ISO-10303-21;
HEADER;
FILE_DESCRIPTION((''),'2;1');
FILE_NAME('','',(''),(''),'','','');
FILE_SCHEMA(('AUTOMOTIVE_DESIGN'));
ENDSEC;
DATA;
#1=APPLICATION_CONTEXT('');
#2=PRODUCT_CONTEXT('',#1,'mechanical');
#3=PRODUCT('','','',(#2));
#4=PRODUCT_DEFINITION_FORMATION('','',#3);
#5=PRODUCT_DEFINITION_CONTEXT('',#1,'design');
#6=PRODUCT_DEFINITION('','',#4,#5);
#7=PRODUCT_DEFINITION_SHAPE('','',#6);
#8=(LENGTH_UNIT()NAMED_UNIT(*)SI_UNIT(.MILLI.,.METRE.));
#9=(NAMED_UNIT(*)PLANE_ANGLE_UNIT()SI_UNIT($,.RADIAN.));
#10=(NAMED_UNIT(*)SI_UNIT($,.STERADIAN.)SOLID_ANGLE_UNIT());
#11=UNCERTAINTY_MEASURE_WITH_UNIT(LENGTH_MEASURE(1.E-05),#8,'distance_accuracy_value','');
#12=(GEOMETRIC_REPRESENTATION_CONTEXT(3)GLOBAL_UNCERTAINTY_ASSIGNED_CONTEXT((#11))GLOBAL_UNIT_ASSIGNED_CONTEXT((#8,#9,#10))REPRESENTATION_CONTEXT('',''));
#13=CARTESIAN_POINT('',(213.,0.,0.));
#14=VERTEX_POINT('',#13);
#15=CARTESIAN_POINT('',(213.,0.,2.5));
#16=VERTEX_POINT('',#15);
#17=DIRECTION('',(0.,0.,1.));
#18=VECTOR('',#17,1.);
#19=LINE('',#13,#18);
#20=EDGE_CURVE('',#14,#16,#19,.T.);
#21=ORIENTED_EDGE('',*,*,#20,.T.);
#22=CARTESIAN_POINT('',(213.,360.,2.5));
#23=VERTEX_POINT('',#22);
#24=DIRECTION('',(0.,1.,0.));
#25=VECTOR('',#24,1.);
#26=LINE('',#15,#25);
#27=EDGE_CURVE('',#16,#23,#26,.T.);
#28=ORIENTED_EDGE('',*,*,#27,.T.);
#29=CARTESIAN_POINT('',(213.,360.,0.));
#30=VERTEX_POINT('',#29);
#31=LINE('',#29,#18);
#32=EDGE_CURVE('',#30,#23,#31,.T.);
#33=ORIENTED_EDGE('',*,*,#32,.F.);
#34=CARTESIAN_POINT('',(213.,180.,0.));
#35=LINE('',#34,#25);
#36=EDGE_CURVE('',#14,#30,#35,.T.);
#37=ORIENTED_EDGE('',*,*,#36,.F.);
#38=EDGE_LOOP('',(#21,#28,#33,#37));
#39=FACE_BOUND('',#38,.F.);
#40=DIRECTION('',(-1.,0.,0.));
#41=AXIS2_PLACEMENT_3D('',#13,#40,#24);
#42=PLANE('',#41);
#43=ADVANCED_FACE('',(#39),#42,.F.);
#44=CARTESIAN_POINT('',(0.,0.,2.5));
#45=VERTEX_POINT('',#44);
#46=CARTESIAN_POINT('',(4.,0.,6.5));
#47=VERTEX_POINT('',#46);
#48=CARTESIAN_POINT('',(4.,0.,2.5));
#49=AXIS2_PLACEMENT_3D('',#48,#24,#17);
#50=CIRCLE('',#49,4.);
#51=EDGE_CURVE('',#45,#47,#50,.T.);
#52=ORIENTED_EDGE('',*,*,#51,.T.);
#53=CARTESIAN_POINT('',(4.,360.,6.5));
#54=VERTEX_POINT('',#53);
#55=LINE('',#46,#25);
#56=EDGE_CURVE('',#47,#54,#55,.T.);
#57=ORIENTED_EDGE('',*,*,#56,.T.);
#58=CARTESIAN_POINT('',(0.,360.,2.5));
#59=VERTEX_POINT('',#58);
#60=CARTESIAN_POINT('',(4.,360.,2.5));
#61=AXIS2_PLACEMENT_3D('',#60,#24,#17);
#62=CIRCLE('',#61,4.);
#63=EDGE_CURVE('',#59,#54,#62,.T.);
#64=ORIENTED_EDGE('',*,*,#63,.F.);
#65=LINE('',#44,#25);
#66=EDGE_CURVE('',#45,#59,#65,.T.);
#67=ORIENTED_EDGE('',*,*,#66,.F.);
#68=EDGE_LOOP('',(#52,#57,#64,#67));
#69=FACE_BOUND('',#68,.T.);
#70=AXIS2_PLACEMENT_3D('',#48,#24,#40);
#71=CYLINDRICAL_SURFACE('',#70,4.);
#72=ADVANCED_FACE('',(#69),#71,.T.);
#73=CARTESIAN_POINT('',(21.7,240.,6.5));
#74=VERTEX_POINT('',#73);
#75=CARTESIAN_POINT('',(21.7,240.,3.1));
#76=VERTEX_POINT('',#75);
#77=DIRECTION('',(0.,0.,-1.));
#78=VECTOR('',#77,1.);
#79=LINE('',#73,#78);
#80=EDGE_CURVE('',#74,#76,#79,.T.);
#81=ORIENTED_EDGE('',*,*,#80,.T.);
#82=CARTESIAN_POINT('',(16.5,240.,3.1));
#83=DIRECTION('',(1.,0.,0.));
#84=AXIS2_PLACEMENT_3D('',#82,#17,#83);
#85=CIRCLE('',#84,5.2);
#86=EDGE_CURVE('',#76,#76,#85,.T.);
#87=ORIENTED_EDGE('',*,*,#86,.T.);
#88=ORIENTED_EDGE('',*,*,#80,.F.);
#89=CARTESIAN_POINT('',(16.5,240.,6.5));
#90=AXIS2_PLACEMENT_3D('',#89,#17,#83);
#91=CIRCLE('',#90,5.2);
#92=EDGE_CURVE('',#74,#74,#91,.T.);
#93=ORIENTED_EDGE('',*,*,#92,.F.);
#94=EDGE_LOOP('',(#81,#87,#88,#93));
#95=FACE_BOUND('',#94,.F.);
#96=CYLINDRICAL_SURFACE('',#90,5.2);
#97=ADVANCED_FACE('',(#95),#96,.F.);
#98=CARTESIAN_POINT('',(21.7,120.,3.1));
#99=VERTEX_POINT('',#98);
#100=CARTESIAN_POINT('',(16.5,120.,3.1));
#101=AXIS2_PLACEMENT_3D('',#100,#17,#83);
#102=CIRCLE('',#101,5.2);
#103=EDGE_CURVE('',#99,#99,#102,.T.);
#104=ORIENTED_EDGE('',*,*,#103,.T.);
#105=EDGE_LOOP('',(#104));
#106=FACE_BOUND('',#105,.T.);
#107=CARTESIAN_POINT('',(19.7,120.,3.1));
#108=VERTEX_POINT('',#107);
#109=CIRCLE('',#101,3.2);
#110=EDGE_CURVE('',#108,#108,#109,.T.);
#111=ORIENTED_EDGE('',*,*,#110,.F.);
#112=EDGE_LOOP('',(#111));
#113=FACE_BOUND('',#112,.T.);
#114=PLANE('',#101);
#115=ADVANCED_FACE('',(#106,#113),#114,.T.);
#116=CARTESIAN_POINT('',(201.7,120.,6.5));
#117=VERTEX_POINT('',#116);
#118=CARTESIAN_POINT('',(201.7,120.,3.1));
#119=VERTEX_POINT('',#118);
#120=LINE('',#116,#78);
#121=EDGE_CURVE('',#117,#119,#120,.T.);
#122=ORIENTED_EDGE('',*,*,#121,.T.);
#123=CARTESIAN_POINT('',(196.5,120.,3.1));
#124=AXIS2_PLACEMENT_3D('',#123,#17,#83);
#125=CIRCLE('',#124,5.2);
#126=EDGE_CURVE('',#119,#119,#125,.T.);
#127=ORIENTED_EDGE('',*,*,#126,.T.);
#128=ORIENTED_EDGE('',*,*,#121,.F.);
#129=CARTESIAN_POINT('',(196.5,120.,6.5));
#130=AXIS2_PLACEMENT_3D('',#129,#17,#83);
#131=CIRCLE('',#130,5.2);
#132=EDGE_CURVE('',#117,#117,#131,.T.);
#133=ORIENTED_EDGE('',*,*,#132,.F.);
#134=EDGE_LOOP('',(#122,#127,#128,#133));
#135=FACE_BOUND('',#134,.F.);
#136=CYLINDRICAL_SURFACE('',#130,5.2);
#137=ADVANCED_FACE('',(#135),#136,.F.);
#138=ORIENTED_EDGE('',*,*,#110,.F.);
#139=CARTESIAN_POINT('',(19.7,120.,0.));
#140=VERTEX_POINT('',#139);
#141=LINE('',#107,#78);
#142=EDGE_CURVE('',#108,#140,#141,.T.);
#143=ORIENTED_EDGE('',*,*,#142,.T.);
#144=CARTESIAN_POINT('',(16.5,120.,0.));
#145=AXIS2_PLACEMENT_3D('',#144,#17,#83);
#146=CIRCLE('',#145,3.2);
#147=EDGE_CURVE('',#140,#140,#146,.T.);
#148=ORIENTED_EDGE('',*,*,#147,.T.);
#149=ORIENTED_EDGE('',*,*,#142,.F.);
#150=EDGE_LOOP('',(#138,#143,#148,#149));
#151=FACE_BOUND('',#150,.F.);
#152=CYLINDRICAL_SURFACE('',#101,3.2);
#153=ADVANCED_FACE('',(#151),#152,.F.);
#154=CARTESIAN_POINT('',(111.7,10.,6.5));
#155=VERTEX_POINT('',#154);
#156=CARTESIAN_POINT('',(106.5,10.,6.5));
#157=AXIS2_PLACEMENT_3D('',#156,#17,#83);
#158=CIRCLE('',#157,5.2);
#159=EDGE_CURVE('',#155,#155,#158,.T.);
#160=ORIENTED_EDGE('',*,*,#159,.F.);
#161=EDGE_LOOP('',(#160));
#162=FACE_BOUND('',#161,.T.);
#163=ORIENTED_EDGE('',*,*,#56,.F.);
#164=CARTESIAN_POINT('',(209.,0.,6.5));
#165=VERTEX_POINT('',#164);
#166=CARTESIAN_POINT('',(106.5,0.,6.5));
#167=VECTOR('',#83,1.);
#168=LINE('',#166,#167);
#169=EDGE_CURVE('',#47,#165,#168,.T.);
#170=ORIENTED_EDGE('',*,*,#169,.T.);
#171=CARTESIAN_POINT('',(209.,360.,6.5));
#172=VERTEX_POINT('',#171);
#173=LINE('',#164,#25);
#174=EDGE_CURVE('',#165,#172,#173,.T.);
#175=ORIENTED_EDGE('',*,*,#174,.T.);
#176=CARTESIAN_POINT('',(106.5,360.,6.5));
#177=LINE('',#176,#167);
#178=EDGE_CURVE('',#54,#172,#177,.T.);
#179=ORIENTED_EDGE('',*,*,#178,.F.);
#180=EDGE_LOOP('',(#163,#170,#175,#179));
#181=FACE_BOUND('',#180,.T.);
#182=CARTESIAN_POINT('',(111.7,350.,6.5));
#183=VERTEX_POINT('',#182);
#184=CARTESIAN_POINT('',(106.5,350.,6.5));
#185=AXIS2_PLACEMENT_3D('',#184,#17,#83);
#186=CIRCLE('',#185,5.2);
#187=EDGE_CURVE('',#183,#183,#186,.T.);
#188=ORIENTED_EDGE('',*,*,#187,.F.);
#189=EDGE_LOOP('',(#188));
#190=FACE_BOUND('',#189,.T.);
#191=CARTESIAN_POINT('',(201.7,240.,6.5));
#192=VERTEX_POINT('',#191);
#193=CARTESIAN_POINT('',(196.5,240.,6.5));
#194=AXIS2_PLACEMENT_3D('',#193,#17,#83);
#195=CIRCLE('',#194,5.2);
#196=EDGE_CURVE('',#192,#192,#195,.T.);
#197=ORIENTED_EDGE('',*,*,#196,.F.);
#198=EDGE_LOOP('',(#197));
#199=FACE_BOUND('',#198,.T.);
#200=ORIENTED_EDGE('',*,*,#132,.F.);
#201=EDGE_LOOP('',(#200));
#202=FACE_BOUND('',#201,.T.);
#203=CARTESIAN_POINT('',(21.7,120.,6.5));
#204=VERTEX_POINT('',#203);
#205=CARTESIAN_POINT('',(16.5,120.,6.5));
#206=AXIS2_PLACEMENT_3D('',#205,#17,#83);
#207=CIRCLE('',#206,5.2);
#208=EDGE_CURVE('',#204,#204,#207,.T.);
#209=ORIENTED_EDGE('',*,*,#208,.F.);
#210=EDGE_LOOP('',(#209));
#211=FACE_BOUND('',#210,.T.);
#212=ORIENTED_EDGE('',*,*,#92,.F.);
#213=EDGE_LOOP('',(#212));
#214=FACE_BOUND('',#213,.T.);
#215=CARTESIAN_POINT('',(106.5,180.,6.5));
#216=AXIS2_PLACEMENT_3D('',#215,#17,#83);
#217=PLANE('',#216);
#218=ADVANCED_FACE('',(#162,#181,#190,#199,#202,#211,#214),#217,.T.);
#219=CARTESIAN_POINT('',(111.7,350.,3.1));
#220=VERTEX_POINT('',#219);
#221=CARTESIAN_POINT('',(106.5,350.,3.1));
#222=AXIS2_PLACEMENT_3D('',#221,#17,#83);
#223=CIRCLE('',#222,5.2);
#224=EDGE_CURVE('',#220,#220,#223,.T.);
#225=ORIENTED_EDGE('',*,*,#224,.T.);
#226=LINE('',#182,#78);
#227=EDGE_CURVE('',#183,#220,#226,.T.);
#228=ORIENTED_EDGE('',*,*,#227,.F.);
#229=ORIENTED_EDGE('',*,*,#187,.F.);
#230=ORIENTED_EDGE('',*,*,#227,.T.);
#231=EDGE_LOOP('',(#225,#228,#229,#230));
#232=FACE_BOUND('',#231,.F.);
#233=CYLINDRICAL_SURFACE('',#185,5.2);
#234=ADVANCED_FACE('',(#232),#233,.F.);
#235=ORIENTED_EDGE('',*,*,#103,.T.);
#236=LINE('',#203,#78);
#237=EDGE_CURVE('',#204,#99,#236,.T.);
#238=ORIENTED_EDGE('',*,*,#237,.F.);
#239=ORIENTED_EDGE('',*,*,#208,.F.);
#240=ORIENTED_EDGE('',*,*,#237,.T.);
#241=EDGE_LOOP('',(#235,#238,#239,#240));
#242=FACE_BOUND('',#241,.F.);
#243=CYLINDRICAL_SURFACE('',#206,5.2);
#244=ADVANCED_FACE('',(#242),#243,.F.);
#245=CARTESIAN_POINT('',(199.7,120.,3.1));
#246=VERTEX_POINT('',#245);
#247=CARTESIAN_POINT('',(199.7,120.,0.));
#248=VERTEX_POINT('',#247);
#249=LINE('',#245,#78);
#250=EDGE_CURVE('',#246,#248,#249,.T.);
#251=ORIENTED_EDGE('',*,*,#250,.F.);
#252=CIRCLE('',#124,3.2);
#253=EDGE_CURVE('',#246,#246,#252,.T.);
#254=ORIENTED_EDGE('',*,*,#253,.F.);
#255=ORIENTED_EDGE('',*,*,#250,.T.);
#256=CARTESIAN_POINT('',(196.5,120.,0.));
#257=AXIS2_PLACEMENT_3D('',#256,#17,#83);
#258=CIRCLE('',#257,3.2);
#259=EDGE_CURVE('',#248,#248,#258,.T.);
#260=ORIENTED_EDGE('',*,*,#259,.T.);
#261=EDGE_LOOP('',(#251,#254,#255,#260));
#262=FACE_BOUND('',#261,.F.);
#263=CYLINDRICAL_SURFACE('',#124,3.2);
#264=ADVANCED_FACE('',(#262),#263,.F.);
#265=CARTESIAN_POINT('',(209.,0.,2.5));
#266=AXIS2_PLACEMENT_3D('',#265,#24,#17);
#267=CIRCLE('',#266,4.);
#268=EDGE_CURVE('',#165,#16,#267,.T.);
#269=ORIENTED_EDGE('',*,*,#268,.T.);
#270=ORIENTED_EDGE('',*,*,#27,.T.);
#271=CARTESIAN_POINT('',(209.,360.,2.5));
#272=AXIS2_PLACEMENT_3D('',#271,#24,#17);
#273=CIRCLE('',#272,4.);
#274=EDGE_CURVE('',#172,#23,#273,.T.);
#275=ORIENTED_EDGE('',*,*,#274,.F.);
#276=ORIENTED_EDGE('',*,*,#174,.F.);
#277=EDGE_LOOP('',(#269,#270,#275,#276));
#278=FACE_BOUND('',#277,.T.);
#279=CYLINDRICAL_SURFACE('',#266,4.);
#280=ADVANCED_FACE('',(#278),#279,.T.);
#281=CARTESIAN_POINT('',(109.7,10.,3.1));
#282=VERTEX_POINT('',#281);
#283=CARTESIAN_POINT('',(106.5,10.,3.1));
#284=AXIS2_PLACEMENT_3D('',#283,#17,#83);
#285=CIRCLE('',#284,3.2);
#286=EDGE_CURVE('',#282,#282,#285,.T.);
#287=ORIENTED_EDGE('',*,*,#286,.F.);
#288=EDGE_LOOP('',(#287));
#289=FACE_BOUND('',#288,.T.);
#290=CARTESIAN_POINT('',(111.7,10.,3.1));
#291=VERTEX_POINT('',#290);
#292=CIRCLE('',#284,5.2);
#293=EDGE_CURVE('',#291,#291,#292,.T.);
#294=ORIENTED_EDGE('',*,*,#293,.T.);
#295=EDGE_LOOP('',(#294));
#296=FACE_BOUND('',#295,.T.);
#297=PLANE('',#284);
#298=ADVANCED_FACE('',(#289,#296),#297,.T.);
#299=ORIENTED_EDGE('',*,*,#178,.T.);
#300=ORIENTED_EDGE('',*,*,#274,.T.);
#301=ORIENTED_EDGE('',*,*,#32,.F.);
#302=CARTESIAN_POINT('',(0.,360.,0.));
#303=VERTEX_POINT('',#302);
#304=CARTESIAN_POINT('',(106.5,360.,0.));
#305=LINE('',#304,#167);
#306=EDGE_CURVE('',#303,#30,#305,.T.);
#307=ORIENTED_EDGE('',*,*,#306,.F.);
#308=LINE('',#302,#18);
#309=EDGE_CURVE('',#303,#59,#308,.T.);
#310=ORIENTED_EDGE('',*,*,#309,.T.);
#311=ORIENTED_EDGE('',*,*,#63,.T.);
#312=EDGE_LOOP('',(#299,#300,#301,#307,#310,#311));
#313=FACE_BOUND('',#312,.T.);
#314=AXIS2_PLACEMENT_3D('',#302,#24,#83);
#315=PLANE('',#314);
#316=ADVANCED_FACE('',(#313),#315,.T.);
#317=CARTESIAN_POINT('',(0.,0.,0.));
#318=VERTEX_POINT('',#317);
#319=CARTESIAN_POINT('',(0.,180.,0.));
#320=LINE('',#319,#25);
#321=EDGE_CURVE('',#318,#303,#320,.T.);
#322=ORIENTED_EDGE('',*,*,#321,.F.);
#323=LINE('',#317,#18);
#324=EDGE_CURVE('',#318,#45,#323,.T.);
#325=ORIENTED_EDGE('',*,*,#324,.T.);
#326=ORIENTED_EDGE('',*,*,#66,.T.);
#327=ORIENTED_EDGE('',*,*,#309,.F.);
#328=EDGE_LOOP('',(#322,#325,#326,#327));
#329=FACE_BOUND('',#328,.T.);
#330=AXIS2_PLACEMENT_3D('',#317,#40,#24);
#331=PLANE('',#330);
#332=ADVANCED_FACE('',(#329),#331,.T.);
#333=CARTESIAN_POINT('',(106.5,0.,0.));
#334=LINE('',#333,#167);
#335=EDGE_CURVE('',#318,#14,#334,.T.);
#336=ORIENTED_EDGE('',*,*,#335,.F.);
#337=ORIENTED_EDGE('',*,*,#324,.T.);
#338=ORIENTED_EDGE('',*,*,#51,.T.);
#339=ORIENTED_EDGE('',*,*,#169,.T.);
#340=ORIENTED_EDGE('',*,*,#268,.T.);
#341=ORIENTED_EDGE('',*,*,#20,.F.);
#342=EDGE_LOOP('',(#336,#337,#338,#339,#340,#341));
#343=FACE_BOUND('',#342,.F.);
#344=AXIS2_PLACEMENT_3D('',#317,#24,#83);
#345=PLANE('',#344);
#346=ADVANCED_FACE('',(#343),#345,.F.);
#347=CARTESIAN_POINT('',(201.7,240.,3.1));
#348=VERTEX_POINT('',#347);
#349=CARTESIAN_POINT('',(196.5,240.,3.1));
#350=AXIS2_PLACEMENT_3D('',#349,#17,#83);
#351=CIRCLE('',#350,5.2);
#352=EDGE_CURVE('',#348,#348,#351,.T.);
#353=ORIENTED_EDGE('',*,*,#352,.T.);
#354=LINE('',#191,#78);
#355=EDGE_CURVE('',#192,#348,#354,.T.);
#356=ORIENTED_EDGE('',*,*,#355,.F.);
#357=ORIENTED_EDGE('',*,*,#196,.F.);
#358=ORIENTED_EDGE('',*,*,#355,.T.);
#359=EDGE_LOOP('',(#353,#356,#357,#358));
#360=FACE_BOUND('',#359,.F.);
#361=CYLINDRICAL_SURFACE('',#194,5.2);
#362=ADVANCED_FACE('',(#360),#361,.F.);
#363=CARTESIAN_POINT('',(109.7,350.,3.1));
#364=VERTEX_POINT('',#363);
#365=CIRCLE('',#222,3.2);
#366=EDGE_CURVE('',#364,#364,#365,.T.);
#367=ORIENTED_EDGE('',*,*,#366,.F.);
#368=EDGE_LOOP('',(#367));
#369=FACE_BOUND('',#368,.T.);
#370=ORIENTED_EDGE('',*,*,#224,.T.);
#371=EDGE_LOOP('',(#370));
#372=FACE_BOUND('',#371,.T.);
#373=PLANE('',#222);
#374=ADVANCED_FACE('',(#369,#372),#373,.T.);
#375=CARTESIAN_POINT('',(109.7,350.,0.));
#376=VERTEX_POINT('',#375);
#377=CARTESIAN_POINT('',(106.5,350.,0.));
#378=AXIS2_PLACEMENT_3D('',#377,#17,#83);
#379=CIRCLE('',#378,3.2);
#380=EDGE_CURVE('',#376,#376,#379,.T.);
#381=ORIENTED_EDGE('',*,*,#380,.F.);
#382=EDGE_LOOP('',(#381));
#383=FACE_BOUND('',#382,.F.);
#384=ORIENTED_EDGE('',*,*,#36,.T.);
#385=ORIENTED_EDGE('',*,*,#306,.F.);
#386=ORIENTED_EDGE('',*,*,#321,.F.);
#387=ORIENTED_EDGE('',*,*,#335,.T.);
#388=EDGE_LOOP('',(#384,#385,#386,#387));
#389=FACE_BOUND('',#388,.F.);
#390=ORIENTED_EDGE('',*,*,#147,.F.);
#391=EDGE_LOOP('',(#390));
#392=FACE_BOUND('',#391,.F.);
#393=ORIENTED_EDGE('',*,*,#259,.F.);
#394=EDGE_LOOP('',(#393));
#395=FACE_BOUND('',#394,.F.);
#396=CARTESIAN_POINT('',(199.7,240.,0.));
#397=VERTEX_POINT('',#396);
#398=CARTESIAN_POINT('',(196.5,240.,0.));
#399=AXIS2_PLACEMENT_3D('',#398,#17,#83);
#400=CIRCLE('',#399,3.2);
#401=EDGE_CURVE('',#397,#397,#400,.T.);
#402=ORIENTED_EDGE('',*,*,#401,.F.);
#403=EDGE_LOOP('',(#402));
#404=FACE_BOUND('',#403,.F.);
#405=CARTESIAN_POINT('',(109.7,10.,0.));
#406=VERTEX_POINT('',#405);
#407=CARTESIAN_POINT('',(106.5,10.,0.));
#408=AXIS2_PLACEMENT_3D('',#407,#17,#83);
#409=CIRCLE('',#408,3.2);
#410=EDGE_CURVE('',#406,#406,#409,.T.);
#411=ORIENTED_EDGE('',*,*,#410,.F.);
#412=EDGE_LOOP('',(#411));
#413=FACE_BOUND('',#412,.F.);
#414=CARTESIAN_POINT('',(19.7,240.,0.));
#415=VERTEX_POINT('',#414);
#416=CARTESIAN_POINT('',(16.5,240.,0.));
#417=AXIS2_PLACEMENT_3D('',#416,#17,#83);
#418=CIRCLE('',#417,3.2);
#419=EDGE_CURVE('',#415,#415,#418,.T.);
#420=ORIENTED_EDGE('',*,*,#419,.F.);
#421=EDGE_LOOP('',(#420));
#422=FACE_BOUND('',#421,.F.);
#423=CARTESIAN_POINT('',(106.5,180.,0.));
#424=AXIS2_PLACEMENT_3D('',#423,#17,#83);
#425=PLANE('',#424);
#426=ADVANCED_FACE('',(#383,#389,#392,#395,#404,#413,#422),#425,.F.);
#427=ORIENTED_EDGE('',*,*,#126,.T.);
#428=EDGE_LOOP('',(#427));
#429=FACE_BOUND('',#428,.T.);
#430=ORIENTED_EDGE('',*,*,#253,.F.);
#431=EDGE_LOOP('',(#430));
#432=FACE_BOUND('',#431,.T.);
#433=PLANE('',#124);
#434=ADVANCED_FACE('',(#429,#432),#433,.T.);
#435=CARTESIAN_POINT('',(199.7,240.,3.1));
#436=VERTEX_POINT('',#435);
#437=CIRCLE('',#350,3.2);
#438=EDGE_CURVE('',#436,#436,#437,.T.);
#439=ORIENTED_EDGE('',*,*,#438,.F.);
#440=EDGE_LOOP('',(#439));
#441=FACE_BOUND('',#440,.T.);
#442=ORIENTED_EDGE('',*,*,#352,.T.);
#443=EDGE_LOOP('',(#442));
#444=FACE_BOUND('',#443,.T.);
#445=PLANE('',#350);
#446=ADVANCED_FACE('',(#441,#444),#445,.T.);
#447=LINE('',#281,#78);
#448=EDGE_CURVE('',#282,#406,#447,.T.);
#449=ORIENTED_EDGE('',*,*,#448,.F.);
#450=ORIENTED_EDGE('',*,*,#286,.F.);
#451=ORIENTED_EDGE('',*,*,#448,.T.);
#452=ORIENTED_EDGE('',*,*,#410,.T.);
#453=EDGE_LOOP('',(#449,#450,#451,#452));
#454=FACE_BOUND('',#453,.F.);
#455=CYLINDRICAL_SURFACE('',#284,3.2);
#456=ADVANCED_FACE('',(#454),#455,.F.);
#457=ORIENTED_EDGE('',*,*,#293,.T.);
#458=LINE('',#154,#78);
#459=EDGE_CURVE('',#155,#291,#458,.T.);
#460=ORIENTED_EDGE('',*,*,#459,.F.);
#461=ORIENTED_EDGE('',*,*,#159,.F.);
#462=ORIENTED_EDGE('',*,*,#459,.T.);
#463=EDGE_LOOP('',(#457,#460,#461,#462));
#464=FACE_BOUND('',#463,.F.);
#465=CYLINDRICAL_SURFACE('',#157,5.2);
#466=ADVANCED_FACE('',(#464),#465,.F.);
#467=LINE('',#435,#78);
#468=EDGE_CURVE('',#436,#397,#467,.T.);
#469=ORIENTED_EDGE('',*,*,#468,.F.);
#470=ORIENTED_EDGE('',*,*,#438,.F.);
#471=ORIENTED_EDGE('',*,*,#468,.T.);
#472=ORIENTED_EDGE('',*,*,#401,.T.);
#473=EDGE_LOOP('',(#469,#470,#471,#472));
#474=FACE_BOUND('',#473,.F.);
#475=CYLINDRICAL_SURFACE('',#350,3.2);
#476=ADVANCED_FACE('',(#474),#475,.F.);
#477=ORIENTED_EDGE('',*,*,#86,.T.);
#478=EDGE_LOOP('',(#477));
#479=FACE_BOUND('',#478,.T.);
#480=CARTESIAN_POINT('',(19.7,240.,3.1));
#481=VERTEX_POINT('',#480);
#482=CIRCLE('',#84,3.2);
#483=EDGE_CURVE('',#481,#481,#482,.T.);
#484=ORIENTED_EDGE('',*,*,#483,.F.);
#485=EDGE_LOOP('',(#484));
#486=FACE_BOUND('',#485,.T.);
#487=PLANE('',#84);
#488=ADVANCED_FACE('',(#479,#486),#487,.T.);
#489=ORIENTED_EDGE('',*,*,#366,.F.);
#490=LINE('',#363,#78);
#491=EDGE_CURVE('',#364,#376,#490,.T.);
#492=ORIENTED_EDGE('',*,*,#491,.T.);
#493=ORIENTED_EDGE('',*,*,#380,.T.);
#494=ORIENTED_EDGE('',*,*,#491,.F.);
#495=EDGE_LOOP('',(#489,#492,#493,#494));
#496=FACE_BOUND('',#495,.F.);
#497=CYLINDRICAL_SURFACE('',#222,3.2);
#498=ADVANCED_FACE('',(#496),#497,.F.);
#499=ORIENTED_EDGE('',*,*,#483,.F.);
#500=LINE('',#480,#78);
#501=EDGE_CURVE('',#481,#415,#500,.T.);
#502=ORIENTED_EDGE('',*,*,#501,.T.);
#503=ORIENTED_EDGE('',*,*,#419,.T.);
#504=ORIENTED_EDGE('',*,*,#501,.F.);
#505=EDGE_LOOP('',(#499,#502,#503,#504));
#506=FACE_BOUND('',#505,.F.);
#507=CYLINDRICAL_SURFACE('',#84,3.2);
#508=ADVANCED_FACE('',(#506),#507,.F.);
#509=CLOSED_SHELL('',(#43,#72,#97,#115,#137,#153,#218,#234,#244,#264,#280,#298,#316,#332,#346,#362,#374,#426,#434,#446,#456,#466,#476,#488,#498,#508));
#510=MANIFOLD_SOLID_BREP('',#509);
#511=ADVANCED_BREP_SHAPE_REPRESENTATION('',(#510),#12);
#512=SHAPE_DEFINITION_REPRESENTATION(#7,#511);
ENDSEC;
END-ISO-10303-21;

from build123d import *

# Parameters (mm, degrees)
SKETCH_W        = 213
SKETCH_H        = 360
PAD_DEPTH       = 6.5
SKETCH001_R     = 5.2
POCKET_DEPTH    = 3.4
SKETCH002_R     = 3.2
POCKET001_DEPTH = 3.1
FILLET_R        = 4


with BuildPart() as part:
    # Sketch → Pad (new body)
    with BuildSketch(Plane.XY):
        with Locations((106.5, 180)):
            Rectangle(SKETCH_W, SKETCH_H)
    extrude(amount=PAD_DEPTH)

    # Sketch001 (on Face6 of Pad) → Pocket (cut)
    with BuildSketch(Plane.XY.offset(6.5)):
        with Locations((106.5, 350)):
            Circle(SKETCH001_R)
        with Locations((16.5, 240)):
            Circle(SKETCH001_R)
        with Locations((16.5, 120)):
            Circle(SKETCH001_R)
        with Locations((196.5, 240)):
            Circle(SKETCH001_R)
        with Locations((196.5, 120)):
            Circle(SKETCH001_R)
        with Locations((106.5, 10)):
            Circle(SKETCH001_R)
    extrude(amount=-POCKET_DEPTH, mode=Mode.SUBTRACT)

    # Sketch002 (on Face17 of Pocket) → Pocket001 (cut)
    with BuildSketch(Plane.XY.offset(3.1)):
        with Locations((106.5, 350)):
            Circle(SKETCH002_R)
        with Locations((16.5, 240)):
            Circle(SKETCH002_R)
        with Locations((16.5, 120)):
            Circle(SKETCH002_R)
        with Locations((196.5, 240)):
            Circle(SKETCH002_R)
        with Locations((196.5, 120)):
            Circle(SKETCH002_R)
        with Locations((106.5, 10)):
            Circle(SKETCH002_R)
    extrude(amount=-POCKET001_DEPTH, mode=Mode.SUBTRACT)

    # Fillet
    fillet_edges = [part.edges().sort_by_distance(p)[0] for p in [
        (213, 180, 6.5),
        (0, 180, 6.5),
    ]]
    fillet(fillet_edges, radius=FILLET_R)


solid = part.part
